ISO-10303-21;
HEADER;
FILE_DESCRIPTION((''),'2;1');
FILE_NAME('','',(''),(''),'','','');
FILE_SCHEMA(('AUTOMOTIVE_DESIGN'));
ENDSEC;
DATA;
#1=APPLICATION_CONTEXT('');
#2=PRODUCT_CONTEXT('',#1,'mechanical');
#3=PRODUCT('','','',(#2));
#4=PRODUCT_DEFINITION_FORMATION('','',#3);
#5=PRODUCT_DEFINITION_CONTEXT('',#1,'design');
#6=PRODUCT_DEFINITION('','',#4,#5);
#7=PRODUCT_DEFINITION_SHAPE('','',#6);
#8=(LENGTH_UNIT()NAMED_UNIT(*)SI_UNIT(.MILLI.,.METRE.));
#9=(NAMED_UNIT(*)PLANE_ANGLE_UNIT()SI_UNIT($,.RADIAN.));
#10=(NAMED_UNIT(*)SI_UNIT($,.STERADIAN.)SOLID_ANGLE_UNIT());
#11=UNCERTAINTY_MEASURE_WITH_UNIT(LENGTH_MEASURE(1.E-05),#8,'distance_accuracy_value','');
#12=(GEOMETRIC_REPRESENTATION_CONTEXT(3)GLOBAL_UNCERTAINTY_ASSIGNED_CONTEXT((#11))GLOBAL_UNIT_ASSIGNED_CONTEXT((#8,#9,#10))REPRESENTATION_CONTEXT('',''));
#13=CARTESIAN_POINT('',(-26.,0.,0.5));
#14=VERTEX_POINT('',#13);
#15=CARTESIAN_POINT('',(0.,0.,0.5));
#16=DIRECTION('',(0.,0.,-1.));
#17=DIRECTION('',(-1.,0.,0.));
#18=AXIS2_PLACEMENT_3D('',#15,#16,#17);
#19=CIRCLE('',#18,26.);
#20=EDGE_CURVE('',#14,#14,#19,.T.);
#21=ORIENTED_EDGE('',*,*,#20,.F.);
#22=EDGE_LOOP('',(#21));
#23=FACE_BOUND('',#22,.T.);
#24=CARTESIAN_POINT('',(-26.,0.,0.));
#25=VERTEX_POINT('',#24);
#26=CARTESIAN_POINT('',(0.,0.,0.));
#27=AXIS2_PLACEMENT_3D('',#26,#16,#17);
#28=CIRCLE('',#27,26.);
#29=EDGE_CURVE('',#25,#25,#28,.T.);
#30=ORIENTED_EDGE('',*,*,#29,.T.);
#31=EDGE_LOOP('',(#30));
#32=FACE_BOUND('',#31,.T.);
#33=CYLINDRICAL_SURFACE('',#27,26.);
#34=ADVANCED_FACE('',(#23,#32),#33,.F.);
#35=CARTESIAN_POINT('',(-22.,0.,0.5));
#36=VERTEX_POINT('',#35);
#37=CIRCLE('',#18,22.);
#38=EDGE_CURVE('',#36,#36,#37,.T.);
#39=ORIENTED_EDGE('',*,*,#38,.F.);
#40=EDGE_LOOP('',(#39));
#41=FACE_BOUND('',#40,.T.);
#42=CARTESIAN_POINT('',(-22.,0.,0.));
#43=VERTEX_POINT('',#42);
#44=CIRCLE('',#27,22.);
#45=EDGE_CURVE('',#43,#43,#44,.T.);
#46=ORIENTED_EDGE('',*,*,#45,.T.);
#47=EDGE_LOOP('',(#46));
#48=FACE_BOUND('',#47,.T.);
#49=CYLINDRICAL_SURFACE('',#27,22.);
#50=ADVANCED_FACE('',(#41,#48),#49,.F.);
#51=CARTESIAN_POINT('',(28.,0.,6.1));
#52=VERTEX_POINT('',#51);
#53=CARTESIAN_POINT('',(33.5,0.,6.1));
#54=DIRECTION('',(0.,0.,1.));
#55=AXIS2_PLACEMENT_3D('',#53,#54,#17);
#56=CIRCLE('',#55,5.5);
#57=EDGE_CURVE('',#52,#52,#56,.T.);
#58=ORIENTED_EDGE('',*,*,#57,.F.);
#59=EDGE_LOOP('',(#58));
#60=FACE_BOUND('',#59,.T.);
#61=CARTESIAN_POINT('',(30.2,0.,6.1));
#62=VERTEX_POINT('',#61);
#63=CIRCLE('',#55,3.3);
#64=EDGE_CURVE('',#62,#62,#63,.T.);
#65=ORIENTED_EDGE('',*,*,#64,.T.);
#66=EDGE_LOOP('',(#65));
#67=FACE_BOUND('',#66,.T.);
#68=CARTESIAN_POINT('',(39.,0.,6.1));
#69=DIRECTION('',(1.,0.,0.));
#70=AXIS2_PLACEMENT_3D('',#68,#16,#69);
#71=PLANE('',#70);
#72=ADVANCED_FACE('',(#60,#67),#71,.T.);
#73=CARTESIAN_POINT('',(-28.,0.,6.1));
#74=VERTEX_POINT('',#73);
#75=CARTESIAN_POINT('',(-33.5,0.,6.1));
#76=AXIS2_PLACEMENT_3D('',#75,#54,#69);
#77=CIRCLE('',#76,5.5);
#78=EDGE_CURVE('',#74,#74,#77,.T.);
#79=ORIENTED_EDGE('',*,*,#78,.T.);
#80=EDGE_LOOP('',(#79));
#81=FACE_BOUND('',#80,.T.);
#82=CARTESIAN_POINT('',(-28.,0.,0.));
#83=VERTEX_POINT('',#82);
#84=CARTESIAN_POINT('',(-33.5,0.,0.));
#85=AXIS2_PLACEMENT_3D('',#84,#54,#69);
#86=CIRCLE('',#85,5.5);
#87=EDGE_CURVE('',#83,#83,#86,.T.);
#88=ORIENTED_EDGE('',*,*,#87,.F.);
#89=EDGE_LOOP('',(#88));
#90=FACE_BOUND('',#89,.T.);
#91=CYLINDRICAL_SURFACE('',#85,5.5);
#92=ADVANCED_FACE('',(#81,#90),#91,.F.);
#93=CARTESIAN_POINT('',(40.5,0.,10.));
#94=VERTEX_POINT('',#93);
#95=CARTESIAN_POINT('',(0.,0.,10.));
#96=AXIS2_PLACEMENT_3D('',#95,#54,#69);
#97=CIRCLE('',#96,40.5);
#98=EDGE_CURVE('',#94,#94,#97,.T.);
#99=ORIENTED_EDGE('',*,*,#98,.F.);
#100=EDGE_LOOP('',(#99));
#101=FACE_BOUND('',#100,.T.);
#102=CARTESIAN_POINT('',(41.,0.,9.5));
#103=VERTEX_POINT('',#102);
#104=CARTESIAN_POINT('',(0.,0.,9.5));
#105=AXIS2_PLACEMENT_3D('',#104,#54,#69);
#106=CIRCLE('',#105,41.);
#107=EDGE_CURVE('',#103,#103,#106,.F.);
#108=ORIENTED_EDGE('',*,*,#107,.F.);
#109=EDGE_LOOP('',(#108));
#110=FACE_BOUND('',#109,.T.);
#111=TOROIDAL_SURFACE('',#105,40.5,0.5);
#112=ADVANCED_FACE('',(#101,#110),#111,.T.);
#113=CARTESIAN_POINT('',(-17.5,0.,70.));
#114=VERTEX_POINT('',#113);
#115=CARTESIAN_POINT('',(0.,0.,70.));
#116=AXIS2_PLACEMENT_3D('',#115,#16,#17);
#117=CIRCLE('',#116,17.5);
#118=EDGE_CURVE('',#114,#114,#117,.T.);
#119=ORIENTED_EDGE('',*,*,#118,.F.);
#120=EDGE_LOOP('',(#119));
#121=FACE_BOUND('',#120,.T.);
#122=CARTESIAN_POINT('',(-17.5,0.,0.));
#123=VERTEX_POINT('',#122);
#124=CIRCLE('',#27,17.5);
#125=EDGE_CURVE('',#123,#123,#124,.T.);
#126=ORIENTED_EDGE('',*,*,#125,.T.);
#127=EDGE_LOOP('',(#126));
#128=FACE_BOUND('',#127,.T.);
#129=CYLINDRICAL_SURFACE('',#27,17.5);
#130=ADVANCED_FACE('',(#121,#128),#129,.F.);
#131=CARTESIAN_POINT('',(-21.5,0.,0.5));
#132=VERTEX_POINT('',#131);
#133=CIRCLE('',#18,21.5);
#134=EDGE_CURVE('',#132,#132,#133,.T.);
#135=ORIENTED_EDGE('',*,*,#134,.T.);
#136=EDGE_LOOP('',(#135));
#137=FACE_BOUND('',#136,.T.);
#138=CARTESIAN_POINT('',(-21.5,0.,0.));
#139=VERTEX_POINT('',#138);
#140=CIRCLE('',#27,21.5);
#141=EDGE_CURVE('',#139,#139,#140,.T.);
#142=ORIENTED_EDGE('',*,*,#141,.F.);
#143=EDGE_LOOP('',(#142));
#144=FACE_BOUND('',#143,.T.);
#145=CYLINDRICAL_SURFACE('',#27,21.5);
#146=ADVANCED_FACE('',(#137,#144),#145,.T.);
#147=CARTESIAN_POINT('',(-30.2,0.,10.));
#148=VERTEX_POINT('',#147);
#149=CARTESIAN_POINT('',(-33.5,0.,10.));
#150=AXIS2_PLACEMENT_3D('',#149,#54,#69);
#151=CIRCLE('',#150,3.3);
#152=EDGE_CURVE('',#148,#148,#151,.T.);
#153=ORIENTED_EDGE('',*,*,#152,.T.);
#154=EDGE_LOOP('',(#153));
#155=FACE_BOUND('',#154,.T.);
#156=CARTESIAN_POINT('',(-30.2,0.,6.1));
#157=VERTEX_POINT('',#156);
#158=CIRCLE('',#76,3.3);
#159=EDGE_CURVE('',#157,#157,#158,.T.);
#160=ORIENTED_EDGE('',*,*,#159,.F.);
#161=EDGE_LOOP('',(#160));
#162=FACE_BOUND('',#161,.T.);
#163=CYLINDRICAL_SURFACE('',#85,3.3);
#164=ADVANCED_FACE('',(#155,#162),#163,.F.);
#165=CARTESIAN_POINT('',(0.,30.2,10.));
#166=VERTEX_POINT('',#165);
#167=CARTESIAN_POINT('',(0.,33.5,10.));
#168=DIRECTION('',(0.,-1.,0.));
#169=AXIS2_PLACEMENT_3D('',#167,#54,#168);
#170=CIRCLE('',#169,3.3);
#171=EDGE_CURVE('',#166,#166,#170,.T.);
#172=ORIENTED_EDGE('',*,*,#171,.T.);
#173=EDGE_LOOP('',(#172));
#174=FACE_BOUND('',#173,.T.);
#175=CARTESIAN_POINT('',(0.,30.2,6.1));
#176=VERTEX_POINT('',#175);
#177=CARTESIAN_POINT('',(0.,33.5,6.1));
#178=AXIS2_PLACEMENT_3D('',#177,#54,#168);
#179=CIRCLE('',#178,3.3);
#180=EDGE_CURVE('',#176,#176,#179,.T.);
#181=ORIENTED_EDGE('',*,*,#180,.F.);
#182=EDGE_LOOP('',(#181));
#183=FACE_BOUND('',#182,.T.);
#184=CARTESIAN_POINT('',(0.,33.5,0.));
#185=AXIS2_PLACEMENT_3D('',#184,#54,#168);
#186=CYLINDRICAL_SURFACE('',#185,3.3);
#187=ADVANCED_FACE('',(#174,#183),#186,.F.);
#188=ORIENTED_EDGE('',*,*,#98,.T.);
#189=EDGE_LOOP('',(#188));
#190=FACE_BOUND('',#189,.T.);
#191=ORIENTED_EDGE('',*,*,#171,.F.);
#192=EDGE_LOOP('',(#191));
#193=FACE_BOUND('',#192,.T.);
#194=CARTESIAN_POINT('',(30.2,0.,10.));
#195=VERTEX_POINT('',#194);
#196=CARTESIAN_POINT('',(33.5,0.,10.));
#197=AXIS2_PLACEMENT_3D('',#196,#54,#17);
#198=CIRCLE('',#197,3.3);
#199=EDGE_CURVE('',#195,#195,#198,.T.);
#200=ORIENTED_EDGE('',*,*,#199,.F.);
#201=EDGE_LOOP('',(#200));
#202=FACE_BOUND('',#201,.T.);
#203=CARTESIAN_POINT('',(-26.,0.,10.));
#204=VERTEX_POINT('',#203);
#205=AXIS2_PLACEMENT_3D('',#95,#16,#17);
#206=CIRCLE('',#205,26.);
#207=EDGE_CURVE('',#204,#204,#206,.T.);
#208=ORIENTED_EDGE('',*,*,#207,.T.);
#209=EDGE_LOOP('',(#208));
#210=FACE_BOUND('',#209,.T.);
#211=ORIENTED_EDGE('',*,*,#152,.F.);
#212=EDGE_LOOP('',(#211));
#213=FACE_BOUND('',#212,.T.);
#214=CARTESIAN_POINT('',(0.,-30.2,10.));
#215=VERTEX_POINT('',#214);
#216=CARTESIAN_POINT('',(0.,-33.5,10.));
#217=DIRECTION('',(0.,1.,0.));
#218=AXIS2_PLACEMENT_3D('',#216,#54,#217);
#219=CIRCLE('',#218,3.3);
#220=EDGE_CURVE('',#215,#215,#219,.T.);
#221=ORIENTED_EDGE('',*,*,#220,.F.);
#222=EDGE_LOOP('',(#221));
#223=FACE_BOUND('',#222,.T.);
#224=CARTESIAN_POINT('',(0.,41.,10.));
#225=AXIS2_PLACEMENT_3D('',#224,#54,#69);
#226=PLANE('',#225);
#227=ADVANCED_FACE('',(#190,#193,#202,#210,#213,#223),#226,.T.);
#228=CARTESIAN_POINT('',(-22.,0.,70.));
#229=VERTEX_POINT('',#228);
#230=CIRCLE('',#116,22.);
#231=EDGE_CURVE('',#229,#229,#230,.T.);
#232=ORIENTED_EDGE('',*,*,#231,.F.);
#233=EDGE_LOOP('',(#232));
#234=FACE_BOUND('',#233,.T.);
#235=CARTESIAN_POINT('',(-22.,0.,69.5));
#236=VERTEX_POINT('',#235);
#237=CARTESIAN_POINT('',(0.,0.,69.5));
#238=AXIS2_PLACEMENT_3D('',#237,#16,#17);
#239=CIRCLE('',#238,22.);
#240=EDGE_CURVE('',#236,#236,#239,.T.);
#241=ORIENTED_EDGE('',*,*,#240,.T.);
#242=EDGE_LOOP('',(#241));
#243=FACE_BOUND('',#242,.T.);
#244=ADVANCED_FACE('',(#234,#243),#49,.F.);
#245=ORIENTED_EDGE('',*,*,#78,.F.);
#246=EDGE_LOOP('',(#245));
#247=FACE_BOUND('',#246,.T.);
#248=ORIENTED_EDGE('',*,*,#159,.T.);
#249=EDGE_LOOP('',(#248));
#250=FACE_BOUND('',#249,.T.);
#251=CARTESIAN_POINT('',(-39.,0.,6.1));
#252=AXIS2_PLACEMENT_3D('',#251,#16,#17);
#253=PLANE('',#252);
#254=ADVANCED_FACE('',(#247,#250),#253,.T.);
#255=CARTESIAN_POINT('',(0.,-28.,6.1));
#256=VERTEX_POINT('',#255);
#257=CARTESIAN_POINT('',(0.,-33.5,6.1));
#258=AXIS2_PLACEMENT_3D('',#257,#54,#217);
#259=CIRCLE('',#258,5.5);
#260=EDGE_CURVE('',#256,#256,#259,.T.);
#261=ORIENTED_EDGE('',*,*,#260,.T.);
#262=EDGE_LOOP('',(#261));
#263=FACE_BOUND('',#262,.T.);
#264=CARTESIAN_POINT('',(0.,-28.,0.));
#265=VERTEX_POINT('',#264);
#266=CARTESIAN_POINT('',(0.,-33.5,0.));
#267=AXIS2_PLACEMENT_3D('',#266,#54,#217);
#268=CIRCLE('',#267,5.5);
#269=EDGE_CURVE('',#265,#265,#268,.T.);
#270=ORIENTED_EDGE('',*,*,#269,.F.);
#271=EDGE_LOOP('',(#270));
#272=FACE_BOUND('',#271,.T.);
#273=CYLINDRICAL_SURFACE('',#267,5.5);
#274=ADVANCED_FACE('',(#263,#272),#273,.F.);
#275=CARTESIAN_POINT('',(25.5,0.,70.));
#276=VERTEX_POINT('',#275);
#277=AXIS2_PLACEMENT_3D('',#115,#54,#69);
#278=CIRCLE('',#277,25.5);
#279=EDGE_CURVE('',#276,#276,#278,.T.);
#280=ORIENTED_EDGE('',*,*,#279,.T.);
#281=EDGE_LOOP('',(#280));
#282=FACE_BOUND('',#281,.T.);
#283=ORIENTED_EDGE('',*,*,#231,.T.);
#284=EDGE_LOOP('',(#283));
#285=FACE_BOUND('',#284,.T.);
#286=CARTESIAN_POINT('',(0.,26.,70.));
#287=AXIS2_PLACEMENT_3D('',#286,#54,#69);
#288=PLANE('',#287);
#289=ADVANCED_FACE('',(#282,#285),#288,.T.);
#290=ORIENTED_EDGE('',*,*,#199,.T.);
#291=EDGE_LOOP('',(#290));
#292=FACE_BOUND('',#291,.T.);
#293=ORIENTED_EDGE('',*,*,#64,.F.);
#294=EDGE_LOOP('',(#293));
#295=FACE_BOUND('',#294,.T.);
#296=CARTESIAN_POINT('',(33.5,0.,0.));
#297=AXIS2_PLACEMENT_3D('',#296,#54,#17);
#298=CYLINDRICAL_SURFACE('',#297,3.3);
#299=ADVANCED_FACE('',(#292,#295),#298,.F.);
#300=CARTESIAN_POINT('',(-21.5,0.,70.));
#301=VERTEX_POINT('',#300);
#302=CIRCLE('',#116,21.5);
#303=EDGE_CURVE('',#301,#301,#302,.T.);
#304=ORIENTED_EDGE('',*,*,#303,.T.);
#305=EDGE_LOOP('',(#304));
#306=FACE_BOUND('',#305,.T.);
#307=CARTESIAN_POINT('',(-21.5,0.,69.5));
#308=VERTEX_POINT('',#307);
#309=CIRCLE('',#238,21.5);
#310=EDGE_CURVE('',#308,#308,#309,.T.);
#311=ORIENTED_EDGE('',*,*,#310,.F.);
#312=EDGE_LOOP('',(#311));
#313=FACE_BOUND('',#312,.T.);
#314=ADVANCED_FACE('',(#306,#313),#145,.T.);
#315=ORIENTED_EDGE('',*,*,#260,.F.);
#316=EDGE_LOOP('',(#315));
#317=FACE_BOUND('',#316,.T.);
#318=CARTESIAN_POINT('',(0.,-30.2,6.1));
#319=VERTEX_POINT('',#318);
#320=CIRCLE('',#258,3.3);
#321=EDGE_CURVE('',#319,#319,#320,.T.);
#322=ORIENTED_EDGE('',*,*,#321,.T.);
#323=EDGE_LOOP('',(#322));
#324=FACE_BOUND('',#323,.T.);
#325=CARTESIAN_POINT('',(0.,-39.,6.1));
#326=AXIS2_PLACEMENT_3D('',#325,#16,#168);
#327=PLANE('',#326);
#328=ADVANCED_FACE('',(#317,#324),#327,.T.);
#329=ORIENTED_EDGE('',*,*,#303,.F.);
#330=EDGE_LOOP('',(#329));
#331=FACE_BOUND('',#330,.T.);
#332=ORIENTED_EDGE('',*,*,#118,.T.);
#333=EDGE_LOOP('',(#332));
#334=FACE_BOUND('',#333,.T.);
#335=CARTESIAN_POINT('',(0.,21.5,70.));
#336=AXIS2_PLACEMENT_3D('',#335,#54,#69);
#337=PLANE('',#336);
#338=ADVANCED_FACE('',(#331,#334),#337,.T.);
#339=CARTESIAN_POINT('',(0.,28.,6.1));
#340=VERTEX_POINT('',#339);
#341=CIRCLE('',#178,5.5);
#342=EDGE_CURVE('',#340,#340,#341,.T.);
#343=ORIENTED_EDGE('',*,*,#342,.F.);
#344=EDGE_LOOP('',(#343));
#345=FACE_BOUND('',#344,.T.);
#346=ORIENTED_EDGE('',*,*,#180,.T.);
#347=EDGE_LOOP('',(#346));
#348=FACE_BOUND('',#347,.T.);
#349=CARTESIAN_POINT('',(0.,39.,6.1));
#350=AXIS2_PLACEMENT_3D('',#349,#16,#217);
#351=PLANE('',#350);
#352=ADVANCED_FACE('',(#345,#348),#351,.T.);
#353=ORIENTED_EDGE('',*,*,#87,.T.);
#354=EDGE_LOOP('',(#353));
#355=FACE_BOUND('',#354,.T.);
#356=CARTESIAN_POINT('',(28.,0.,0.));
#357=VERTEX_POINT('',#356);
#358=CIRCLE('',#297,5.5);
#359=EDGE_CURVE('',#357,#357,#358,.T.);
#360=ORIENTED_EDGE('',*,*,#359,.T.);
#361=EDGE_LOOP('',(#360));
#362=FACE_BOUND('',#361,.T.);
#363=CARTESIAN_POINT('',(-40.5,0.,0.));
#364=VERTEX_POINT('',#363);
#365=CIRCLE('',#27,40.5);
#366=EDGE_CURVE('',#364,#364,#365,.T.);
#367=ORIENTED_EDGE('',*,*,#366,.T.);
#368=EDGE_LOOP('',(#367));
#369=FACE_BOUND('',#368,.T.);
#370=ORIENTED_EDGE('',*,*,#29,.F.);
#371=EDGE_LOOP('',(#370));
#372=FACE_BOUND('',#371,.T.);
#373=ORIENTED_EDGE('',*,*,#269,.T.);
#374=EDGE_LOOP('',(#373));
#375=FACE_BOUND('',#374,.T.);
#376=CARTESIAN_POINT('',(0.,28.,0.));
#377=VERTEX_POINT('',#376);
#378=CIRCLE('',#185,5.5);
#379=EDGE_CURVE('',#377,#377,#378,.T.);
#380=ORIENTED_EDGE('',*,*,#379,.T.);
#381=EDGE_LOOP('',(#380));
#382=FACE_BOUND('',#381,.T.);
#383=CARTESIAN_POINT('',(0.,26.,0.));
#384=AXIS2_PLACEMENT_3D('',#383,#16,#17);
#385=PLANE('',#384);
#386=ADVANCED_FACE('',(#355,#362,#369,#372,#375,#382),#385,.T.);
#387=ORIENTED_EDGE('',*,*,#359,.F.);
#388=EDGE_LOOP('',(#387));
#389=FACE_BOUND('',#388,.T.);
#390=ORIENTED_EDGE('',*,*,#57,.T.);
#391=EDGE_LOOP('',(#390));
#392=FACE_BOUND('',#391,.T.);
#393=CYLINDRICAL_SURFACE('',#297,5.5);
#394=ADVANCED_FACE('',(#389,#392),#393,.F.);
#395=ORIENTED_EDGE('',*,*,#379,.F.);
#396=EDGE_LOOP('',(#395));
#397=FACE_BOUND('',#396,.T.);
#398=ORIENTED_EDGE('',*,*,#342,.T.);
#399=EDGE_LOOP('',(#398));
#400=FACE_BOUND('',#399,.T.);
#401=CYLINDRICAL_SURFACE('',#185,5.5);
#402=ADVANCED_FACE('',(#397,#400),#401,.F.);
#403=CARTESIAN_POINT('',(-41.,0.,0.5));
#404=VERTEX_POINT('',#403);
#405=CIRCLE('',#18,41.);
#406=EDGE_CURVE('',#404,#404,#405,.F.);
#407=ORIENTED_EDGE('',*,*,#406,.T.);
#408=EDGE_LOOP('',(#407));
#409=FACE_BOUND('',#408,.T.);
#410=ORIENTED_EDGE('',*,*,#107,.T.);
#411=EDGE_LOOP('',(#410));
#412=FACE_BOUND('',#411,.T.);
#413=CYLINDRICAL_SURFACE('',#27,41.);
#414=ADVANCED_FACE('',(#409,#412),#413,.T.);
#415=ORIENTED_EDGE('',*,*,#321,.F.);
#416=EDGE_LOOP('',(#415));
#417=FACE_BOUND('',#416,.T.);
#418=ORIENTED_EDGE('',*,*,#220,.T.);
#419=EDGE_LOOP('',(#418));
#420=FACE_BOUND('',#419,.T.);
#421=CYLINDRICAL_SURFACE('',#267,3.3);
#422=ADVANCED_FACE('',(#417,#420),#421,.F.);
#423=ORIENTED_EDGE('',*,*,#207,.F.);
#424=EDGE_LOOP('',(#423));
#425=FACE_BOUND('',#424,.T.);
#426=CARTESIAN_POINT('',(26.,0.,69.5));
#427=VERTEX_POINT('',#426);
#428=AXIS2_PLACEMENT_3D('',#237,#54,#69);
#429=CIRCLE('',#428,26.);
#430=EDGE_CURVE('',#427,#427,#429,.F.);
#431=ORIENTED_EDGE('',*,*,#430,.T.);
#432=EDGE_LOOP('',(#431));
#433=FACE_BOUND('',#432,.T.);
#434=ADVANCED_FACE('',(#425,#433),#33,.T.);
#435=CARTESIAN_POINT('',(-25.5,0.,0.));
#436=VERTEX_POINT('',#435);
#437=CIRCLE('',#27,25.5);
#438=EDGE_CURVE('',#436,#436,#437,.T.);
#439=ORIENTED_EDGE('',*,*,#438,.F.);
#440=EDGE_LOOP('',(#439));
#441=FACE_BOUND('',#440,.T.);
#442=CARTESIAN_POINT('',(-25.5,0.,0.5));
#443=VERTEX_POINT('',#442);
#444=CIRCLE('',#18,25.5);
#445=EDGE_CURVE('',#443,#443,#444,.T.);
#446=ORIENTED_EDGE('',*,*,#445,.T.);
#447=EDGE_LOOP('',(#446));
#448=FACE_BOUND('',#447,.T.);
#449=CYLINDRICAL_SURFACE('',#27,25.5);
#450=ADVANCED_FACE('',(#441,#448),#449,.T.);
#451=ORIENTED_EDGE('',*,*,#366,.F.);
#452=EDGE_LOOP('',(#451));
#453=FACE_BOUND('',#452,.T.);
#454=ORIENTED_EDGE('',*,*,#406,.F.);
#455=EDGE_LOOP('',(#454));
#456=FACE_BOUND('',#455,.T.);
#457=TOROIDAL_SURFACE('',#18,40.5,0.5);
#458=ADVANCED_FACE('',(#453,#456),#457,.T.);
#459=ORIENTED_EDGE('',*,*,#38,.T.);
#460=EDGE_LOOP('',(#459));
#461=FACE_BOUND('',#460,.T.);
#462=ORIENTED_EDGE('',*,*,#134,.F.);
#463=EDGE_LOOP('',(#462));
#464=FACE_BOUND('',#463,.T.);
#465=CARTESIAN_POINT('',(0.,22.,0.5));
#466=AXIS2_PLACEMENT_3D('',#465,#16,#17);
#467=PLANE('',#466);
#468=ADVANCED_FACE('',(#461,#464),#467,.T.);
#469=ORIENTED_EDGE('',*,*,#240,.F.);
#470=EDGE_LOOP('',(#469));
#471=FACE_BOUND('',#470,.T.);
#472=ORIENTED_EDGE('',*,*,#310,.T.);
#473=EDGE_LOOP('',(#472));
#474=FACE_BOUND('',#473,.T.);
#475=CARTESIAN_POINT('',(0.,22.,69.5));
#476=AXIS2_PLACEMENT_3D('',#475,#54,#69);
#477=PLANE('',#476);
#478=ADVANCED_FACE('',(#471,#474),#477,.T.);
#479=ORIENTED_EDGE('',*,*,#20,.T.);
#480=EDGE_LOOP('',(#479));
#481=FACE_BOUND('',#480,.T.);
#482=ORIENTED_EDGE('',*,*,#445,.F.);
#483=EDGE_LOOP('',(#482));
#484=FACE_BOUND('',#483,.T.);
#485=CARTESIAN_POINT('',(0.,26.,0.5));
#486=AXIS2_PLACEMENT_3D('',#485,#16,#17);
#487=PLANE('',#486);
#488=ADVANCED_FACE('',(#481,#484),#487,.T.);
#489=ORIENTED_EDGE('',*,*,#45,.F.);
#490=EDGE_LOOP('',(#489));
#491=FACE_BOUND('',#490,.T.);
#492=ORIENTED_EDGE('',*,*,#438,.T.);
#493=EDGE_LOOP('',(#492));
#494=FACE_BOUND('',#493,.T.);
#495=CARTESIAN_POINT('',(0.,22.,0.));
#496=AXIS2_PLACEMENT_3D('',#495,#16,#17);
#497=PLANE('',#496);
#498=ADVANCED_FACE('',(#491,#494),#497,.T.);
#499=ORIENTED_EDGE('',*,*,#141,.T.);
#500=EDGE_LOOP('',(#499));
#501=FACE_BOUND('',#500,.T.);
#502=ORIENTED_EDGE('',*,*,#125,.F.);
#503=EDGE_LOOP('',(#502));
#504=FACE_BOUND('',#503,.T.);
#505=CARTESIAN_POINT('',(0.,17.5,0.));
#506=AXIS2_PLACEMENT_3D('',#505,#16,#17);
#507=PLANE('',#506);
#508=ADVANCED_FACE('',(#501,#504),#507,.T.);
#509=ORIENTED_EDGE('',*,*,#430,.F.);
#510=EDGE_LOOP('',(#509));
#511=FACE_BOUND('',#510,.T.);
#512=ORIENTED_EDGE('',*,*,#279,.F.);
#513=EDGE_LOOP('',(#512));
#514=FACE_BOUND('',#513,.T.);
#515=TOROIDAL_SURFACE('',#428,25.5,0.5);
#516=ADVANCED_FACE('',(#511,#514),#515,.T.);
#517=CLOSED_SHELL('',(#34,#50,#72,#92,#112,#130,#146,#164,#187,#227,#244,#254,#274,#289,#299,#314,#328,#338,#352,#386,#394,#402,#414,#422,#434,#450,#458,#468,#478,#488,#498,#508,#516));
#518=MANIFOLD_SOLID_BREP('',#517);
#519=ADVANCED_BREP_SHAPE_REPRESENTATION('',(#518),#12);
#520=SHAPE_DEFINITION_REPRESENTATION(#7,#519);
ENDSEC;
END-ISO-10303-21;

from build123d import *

# Parameters (mm, degrees)
PADR_OCIRCULAR1_COUNT = 4
FILETE1_R             = 0.5


with BuildPart() as part:
    # Esboço1 → Revolução1 (revolve)
    with BuildSketch(Plane(origin=(0, 0, 0), x_dir=(0, 0, -1), z_dir=(1, 0, 0)), mode=Mode.PRIVATE) as revolu_o1_sk:
        Polygon((0, 17.5), (0, 21.5), (-0.5, 21.5), (-0.5, 22), (0, 22), (0, 25.5), (-0.5, 25.5), (-0.5, 26), (0, 26), (0, 41), (-10, 41), (-10, 26), (-70, 26), (-70, 22), (-69.5, 22), (-69.5, 21.5), (-70, 21.5), (-70, 17.5), align=None)
    revolve(revolu_o1_sk.sketch.rotate(Axis((0, 0, 0), (0, 0, 1)), 90), axis=Axis((0, 0, 0), (0, 0, 1)))  # turned: the seam where the file's is

    # Esboço5 → Corte-Revolução1 (revolve, cut)
    with BuildSketch(Plane(origin=(0, 0, 0), x_dir=(0, 0, -1), z_dir=(1, 0, 0)), mode=Mode.PRIVATE) as corte_revolu_o1_sk:
        Polygon((0, 39), (-6.1, 39), (-6.1, 36.8), (-10, 36.8), (-10, 33.5), (0, 33.5), align=None)
    corte_revolu_o1 = revolve(corte_revolu_o1_sk.sketch.rotate(Axis((0, 33.5, 0), (0, 0, -1)), 180), axis=Axis((0, 33.5, 0), (0, 0, -1)), mode=Mode.SUBTRACT)  # turned: the seam where the file's is

    # PadrãoCircular1: Corte-Revolução1 ×4 about axis
    padr_ocircular1_axis = Axis((0, 0, 0), (0, 0, 1))
    for i in range(1, PADR_OCIRCULAR1_COUNT):
        add(corte_revolu_o1.rotate(padr_ocircular1_axis, i * 360 / PADR_OCIRCULAR1_COUNT), mode=Mode.SUBTRACT)

    # Filete1
    filete1_edges = [part.edges().sort_by_distance(p)[0] for p in [
        (26, 0, 70),
        (41, 0, 10),
        (41, 0, 0),
    ]]
    fillet(filete1_edges, radius=FILETE1_R)


solid = part.part
